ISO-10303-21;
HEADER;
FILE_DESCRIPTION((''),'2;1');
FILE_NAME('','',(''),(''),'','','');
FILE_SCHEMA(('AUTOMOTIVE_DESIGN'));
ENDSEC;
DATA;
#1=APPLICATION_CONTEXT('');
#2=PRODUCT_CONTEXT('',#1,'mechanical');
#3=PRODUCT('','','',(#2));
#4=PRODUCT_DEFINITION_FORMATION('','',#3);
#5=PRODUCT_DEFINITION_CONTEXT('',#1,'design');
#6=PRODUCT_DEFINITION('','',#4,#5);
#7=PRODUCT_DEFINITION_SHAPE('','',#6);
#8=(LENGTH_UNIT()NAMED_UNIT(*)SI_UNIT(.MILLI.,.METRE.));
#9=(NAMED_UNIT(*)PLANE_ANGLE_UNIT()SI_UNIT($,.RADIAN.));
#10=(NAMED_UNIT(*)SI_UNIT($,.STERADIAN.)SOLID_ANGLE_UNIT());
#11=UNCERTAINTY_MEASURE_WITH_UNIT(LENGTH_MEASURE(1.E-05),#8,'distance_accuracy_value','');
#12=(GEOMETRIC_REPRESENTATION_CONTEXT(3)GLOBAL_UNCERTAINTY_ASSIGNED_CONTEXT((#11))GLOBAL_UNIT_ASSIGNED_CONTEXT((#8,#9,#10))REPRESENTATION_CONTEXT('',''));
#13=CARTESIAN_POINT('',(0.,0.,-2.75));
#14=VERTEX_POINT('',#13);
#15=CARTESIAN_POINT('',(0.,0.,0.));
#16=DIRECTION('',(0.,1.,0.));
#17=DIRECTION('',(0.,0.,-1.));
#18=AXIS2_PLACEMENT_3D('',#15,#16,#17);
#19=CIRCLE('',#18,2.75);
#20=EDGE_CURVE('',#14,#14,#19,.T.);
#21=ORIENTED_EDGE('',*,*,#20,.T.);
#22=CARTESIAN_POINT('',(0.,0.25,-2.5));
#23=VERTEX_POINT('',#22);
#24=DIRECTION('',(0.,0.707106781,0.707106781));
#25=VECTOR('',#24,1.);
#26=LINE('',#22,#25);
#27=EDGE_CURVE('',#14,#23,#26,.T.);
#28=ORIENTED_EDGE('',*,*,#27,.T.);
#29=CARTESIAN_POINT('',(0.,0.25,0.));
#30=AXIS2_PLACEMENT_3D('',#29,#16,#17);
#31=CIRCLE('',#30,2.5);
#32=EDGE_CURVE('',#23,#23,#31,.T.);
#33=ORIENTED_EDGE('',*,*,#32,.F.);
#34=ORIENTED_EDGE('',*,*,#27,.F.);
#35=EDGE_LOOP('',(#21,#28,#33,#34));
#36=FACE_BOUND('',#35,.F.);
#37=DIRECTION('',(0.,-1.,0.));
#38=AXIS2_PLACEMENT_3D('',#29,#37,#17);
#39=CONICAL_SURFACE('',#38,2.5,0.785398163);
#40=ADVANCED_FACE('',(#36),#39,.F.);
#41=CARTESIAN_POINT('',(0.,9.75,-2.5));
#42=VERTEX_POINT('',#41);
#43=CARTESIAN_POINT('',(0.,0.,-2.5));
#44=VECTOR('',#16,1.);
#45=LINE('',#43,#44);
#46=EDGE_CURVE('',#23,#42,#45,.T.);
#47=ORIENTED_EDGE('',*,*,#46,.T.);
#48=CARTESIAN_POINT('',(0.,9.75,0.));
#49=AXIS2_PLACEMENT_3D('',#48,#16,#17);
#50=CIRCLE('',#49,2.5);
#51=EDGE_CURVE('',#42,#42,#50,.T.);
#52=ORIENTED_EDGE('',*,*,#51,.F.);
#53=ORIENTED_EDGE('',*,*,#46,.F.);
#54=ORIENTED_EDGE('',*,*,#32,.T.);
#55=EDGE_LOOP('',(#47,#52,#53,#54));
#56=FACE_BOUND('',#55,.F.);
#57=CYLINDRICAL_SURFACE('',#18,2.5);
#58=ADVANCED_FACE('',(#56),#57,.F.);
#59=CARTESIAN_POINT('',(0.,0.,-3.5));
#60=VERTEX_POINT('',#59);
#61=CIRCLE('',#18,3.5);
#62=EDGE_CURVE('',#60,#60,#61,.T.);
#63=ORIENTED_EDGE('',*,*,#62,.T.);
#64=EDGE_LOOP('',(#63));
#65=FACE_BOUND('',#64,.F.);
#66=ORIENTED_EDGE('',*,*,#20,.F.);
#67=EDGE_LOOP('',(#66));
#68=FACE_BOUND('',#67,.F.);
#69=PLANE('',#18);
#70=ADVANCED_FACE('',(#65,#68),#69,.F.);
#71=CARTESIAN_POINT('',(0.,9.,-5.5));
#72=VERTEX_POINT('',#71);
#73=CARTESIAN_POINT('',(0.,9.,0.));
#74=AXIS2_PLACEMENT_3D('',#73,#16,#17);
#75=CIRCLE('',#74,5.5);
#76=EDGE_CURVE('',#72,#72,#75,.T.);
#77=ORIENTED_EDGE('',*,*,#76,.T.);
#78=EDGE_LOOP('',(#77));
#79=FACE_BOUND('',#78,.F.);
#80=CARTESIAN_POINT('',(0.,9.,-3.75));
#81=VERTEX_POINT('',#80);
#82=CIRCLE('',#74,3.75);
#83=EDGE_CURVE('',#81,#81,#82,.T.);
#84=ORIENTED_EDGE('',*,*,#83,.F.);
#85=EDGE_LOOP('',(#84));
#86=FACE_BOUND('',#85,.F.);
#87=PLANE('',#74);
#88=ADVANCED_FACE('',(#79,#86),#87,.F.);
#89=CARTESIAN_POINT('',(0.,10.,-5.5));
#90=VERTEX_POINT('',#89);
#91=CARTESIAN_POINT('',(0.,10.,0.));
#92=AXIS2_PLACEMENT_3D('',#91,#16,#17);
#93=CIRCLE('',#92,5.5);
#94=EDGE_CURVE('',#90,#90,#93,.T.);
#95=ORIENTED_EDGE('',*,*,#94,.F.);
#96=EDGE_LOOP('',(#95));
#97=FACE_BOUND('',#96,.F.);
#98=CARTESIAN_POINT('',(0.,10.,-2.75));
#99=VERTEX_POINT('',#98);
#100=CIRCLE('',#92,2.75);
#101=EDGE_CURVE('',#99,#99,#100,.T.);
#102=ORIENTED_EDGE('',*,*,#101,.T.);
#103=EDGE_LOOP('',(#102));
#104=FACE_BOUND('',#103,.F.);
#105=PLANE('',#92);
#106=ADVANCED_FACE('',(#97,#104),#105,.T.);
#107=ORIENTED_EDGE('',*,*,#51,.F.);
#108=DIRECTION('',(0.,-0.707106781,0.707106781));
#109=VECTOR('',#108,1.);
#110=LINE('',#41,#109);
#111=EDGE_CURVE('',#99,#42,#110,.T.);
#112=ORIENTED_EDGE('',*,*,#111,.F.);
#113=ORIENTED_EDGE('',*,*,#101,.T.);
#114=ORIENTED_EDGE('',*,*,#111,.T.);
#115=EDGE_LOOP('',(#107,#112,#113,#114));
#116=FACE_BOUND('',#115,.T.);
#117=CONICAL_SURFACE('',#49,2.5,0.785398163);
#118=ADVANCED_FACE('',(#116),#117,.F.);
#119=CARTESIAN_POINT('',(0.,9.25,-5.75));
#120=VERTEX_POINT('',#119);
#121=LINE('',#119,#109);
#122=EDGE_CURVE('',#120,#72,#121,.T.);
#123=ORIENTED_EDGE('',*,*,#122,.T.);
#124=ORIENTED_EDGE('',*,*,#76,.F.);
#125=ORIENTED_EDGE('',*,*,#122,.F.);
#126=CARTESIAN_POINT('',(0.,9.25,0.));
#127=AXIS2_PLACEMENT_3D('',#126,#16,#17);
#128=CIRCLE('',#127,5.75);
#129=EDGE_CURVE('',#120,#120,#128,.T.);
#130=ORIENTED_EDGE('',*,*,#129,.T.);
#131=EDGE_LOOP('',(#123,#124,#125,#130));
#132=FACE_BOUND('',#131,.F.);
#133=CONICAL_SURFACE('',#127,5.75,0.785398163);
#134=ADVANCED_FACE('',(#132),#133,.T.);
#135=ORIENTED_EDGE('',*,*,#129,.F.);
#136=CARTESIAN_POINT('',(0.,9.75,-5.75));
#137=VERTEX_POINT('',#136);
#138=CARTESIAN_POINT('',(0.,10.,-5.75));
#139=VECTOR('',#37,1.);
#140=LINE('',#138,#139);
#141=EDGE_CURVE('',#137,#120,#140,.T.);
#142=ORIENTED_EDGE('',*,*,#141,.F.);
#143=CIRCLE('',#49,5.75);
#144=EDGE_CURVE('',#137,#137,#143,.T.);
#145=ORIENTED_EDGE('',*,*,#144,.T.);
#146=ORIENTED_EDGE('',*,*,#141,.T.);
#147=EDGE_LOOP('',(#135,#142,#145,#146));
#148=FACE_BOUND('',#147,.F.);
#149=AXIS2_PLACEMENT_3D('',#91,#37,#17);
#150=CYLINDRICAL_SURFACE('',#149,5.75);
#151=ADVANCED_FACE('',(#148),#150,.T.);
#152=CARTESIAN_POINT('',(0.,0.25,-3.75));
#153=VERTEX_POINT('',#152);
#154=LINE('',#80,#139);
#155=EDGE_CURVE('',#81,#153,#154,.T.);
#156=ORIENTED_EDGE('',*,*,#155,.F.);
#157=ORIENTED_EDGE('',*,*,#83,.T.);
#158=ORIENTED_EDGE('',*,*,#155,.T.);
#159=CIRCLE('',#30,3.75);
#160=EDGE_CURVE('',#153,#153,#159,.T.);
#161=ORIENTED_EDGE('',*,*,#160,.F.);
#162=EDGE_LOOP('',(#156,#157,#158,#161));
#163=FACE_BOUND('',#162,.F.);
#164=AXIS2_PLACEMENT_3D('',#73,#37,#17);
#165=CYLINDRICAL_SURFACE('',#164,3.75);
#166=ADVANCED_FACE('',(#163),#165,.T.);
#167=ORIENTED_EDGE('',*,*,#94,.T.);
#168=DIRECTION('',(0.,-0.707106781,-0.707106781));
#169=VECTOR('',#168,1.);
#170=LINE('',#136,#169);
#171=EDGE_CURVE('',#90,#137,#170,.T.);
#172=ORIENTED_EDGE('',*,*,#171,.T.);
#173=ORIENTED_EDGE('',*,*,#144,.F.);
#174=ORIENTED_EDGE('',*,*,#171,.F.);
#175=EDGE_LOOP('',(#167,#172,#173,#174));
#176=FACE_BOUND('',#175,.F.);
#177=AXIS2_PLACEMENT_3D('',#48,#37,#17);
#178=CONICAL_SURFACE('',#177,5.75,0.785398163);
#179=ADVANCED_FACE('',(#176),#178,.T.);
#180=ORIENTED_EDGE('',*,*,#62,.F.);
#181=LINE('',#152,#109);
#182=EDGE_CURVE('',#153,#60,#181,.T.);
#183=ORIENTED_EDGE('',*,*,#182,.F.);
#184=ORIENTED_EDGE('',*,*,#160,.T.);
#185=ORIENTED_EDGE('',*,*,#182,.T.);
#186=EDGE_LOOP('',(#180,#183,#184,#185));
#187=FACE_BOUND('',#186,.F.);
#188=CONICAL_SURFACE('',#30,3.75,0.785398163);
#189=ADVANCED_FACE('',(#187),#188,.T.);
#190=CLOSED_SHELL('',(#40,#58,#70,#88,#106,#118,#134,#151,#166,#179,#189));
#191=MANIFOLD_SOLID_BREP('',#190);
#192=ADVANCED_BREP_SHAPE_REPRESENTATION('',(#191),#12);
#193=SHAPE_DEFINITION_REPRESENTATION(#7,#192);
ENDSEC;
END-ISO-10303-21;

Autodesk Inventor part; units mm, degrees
ref_plane "YZ Plane" through (0, 0, 0) normal (1, 0, 0) x (0, 1, 0)
ref_plane "XZ Plane" through (0, 0, 0) normal (0, 1, 0) x (-1, 0, 0)
ref_plane "XY Plane" through (0, 0, 0) normal (0, 0, 1) x (1, 0, 0)
sketch "Эскиз1" plane through (0, 0, 0) normal (1, 0, 0) x (0, 1, 0)
  line L0 (10, -2.5) -> (10, -5.75)
  line L1 (10, -5.75) -> (9, -5.75)
  line L2 (9, -5.75) -> (9, -3.75)
  line L3 (9, -3.75) -> (0, -3.75)
  line L4 (0, -3.75) -> (0, -2.5)
  line L5 (0, -2.5) -> (10, -2.5)
  line L6 (-2, 0) -> (12, 0) projected
  point P0 (0, 0)
  dimension "d0" = 2.5
  dimension "d1" = 3.75
  dimension "d2" = 1
  dimension "d3" = 10
  dimension "d4" = 5.75
revolve "Вращение1" add sketch "Эскиз1" angle 360 about axis through (0, -10, 0) along (0, 1, 0)
chamfer "Фаска1" distance 0.25 angle 45 3 edges at (0, 10, 2.5) (0, 0, 2.5) (0, 0, 3.75)
chamfer "Фаска2" distance 0.25 angle 45 2 edges at (0, 9, 5.75) (0, 10, 5.75)
properties part number "sleeve" material "Алюминий 6061-AHC"
